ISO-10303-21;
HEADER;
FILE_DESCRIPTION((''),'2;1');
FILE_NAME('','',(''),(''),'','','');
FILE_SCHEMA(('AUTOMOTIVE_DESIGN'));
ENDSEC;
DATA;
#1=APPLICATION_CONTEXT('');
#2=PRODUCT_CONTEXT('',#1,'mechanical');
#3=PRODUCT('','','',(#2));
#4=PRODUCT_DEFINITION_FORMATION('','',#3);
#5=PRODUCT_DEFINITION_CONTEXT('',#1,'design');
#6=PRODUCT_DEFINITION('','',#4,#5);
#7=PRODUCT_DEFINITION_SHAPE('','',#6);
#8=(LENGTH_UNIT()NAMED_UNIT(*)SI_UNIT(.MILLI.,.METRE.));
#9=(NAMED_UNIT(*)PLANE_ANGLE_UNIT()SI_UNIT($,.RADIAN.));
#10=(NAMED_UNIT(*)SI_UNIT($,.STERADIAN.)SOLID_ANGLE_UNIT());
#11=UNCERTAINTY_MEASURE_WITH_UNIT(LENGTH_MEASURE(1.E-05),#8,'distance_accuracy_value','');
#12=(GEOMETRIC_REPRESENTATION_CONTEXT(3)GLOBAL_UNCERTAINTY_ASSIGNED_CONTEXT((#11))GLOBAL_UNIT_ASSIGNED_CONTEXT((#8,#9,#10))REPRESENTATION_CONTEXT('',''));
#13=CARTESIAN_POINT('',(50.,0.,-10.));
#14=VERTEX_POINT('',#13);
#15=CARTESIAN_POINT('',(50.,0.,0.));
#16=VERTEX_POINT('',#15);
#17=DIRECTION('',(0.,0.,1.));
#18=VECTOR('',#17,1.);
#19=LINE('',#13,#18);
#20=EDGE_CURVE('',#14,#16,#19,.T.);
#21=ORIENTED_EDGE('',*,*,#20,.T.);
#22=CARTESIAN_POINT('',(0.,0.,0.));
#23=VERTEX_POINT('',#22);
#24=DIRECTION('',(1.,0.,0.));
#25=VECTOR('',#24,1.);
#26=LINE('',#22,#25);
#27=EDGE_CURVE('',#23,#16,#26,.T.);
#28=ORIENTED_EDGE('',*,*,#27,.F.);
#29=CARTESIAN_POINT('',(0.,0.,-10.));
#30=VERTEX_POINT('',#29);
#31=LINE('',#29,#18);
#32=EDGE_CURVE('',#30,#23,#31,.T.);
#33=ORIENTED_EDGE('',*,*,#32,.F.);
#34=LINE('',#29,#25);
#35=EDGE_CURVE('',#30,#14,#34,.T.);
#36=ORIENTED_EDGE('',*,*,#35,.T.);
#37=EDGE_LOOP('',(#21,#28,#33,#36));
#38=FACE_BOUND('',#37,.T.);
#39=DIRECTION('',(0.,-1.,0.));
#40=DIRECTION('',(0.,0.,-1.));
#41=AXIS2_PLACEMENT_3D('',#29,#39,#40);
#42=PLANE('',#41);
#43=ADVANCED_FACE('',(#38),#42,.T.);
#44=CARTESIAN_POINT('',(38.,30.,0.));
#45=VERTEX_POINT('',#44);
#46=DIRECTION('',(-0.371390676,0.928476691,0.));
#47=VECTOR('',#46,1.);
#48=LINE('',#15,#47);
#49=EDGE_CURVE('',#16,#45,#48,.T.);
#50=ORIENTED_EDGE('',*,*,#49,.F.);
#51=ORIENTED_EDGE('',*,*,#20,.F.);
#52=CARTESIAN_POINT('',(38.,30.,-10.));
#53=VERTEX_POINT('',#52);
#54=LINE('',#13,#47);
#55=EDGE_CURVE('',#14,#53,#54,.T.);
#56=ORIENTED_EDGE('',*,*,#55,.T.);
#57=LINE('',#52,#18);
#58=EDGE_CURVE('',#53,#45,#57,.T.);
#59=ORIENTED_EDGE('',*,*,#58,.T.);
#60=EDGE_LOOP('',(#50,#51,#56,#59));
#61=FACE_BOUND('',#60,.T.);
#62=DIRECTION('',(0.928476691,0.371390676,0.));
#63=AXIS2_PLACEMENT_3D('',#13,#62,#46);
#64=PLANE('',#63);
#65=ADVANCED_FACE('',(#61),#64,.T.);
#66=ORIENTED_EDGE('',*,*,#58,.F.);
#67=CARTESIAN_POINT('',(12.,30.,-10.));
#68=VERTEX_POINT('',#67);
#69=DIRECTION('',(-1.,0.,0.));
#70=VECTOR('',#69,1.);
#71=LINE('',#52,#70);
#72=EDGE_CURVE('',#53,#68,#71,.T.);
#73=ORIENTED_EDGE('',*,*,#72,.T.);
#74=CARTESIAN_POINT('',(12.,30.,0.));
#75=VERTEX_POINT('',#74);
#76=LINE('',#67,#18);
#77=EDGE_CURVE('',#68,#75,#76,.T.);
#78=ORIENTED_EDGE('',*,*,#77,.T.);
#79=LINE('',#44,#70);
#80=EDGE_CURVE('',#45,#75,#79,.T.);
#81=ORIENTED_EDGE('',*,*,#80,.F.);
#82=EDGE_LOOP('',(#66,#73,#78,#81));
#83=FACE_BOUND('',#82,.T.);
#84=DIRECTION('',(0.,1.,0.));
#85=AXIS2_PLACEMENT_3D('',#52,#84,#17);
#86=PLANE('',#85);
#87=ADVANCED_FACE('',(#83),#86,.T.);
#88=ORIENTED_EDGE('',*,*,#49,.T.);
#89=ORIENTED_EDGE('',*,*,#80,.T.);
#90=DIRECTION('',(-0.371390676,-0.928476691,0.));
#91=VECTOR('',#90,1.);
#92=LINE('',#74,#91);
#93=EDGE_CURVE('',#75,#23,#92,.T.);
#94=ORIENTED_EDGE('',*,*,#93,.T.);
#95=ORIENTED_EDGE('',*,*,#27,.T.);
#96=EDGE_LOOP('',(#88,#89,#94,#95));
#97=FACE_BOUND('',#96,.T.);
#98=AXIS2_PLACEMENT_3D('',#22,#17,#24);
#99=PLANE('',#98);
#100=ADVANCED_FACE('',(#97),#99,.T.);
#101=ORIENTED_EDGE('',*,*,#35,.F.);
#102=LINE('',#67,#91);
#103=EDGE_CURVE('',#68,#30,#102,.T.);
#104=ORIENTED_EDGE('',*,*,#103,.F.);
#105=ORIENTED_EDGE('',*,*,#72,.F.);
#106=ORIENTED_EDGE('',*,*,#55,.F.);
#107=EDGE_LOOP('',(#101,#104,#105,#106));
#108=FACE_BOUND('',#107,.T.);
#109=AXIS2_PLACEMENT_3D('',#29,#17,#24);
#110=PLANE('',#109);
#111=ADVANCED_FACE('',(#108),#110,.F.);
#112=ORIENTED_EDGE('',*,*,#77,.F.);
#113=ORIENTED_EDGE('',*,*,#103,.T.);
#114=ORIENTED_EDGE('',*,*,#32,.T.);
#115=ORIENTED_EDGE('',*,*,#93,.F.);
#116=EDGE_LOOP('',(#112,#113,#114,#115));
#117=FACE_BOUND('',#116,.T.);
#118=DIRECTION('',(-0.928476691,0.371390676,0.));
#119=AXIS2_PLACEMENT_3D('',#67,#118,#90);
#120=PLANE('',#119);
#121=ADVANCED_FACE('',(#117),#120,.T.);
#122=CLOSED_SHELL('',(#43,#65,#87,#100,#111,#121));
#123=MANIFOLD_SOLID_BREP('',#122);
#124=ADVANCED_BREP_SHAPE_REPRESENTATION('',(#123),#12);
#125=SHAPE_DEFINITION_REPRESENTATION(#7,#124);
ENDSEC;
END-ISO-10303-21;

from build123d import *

# Parameters (mm, degrees)
EXTRUDE_1_DEPTH = 10


with BuildPart() as part:
    # 草圖1 → 填料-伸長1 (new body)
    with BuildSketch(Plane.XY):
        Polygon((0, 0), (50, 0), (38, 30), (12, 30), align=None)
    extrude(amount=-EXTRUDE_1_DEPTH)


solid = part.part
